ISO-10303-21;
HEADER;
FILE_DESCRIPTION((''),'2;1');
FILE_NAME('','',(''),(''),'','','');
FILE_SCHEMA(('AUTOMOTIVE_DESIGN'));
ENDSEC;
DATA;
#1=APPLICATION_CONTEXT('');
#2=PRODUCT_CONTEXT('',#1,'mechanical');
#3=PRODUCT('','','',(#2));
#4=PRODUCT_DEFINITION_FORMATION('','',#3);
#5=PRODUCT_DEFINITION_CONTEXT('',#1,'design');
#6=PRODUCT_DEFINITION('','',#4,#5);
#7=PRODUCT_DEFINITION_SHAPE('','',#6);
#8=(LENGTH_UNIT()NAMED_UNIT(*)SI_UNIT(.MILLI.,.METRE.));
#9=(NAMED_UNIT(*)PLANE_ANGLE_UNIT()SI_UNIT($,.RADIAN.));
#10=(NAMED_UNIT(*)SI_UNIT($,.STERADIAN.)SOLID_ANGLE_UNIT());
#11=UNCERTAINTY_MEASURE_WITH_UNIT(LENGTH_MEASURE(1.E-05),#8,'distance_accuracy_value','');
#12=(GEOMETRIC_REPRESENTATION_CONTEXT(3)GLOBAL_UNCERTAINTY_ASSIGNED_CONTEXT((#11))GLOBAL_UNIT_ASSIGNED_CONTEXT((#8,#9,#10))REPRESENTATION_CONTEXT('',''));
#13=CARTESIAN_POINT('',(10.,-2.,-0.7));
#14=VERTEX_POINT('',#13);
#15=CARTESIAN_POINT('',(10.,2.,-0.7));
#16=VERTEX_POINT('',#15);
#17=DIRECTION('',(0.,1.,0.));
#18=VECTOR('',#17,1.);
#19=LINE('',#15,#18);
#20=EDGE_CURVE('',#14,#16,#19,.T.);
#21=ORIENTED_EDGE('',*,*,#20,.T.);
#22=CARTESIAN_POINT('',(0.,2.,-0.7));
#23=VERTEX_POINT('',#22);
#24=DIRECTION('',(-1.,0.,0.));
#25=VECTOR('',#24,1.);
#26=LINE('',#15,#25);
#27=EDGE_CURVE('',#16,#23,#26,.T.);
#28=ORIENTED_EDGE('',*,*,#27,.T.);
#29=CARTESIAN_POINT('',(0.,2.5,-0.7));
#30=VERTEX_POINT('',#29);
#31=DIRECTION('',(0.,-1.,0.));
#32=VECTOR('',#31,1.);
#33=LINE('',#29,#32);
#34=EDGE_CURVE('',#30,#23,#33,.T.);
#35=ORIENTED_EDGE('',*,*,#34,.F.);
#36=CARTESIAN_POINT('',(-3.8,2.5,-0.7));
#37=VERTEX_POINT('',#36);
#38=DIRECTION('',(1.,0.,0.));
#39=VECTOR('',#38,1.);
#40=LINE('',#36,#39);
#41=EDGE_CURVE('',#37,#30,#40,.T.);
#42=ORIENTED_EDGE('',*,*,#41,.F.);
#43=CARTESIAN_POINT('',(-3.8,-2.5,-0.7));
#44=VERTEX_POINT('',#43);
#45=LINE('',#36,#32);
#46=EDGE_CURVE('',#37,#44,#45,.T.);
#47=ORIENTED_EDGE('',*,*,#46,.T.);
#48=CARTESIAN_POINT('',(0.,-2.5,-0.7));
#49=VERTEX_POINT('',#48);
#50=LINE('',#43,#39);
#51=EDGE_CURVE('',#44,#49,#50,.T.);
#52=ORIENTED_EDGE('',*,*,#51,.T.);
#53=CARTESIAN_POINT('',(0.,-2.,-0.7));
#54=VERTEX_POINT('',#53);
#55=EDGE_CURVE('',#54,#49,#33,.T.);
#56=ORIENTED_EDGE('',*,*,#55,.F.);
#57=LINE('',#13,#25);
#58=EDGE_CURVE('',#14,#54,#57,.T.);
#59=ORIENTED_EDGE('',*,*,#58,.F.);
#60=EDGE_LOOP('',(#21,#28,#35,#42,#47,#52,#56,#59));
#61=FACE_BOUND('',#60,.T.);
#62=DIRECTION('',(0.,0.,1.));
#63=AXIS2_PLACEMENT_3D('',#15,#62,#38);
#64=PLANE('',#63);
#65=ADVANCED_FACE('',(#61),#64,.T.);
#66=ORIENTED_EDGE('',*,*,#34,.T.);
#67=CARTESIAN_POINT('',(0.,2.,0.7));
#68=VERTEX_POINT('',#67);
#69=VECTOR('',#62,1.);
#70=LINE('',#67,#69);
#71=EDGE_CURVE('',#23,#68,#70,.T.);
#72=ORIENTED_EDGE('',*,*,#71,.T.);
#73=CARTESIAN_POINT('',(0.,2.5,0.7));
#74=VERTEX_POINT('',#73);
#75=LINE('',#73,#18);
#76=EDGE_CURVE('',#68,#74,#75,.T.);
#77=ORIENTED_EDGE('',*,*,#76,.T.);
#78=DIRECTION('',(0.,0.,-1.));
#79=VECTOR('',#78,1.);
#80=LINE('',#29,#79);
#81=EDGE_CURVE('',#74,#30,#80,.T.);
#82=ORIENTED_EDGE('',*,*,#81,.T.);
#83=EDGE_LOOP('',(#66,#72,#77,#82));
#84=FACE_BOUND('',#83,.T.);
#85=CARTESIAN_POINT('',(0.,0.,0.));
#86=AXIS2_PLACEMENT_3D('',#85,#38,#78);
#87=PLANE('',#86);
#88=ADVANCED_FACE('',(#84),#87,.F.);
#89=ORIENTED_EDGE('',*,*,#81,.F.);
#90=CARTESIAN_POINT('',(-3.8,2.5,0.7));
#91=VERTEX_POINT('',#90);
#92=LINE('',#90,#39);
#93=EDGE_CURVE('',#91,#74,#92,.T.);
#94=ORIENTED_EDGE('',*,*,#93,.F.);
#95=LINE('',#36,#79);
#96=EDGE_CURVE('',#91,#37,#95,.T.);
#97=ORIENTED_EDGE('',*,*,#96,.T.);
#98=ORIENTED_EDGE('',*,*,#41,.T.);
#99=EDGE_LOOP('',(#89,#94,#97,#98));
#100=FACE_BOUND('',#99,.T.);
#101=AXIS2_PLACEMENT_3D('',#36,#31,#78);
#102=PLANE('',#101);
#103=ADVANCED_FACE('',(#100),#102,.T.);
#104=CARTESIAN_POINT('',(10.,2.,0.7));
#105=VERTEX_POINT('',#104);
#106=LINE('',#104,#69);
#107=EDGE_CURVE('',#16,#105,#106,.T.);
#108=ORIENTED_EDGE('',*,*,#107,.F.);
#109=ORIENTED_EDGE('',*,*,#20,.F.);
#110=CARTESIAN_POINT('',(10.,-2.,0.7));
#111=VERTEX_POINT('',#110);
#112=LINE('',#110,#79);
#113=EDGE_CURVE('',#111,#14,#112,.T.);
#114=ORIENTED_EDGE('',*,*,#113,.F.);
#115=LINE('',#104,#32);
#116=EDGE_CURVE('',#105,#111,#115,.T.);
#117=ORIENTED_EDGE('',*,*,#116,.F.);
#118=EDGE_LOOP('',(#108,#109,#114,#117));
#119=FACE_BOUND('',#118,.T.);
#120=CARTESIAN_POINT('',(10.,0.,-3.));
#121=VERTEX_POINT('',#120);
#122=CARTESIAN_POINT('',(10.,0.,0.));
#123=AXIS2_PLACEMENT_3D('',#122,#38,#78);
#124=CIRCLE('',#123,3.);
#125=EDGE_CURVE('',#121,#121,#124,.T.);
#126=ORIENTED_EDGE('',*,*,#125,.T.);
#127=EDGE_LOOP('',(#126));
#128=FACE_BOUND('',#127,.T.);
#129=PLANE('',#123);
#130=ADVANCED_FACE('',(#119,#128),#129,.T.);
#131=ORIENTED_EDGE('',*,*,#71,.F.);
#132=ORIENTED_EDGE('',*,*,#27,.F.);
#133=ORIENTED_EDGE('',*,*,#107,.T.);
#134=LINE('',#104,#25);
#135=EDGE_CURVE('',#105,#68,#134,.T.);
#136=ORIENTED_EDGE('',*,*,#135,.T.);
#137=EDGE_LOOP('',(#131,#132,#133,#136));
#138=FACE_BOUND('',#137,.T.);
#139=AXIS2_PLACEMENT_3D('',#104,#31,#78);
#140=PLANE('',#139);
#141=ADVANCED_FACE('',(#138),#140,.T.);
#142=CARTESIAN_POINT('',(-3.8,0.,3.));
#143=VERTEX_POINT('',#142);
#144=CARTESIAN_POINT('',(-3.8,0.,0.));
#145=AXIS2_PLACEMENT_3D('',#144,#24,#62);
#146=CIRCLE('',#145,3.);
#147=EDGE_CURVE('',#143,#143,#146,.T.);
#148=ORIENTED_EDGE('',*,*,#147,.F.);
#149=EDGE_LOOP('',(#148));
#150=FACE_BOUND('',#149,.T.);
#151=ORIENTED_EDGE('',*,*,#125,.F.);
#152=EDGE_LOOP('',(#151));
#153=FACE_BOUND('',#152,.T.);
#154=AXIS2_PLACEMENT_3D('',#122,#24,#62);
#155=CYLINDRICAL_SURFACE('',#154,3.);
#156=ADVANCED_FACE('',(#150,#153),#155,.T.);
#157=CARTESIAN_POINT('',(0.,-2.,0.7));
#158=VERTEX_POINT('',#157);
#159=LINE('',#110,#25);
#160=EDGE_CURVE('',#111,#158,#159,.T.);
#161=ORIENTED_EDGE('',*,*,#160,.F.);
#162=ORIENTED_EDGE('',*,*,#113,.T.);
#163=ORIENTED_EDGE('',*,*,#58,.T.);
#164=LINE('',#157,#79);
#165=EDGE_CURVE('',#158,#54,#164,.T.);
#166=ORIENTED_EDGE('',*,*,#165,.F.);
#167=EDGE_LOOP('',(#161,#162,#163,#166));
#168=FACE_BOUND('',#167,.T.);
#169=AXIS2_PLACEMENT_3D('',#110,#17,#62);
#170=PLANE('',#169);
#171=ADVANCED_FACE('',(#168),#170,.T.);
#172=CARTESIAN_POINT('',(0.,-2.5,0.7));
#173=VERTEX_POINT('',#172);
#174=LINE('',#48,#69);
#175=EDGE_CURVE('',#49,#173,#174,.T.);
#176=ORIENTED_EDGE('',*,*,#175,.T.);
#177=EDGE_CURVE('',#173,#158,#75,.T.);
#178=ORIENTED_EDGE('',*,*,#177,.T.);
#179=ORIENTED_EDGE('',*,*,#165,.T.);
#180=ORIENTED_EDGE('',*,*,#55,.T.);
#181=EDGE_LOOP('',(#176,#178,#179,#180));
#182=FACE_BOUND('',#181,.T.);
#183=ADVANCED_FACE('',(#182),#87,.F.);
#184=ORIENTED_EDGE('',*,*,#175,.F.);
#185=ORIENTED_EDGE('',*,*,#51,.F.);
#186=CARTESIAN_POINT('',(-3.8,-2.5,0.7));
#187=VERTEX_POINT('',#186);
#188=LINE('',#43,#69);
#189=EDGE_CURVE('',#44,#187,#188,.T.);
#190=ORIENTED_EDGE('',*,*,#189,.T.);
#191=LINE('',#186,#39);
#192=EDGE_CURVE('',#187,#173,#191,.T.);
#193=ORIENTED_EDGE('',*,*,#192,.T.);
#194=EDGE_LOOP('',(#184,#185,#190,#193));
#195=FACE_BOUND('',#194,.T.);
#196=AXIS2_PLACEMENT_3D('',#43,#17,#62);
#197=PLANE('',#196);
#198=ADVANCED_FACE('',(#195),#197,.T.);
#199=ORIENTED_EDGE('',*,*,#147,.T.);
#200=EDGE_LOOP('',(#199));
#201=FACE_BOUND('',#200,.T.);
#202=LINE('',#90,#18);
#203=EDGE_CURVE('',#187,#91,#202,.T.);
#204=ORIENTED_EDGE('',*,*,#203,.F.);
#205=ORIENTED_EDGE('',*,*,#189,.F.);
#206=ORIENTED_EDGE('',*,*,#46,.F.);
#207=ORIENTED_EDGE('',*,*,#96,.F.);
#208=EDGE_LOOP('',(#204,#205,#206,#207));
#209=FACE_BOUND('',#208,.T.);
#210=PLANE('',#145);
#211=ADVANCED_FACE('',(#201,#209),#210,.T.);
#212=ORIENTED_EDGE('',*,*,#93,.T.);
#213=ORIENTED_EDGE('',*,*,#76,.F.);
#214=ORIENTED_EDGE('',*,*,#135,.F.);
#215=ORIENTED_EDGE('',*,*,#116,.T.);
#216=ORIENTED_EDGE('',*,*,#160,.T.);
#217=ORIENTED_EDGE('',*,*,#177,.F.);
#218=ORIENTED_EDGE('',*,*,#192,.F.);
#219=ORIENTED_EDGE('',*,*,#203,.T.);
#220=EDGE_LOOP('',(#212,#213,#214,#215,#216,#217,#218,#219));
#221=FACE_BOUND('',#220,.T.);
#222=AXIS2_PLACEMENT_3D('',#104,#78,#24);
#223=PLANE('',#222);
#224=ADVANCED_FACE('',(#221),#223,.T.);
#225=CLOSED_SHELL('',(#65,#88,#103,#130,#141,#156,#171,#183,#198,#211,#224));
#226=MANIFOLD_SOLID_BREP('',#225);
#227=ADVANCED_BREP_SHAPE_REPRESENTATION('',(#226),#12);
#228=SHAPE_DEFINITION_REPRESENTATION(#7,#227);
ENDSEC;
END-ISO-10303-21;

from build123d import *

# Parameters (mm, degrees)
SKETCH1_R           = 3
SKETCH1_W           = 1.4
SKETCH1_H           = 4
BOSS_EXTRUDE1_DEPTH = 10
BOSS_EXTRUDE2_START = 3.8
SKETCH2_R           = 3
SKETCH2_W           = 1.4
SKETCH2_H           = 5
BOSS_EXTRUDE2_DEPTH = 3.8


with BuildPart() as part:
    # Sketch1 → Boss-Extrude1 (new body)
    with BuildSketch(Plane(origin=(0, 0, 0), x_dir=(0, 0, -1), z_dir=(1, 0, 0))):
        Circle(SKETCH1_R)
        Rectangle(SKETCH1_W, SKETCH1_H, mode=Mode.SUBTRACT)
    extrude(amount=BOSS_EXTRUDE1_DEPTH)

    # Sketch2 → Boss-Extrude2 (add)
    with BuildSketch(Plane.ZY.offset(BOSS_EXTRUDE2_START)):
        Circle(SKETCH2_R)
        Rectangle(SKETCH2_W, SKETCH2_H, mode=Mode.SUBTRACT)
    extrude(amount=-BOSS_EXTRUDE2_DEPTH)


solid = part.part
